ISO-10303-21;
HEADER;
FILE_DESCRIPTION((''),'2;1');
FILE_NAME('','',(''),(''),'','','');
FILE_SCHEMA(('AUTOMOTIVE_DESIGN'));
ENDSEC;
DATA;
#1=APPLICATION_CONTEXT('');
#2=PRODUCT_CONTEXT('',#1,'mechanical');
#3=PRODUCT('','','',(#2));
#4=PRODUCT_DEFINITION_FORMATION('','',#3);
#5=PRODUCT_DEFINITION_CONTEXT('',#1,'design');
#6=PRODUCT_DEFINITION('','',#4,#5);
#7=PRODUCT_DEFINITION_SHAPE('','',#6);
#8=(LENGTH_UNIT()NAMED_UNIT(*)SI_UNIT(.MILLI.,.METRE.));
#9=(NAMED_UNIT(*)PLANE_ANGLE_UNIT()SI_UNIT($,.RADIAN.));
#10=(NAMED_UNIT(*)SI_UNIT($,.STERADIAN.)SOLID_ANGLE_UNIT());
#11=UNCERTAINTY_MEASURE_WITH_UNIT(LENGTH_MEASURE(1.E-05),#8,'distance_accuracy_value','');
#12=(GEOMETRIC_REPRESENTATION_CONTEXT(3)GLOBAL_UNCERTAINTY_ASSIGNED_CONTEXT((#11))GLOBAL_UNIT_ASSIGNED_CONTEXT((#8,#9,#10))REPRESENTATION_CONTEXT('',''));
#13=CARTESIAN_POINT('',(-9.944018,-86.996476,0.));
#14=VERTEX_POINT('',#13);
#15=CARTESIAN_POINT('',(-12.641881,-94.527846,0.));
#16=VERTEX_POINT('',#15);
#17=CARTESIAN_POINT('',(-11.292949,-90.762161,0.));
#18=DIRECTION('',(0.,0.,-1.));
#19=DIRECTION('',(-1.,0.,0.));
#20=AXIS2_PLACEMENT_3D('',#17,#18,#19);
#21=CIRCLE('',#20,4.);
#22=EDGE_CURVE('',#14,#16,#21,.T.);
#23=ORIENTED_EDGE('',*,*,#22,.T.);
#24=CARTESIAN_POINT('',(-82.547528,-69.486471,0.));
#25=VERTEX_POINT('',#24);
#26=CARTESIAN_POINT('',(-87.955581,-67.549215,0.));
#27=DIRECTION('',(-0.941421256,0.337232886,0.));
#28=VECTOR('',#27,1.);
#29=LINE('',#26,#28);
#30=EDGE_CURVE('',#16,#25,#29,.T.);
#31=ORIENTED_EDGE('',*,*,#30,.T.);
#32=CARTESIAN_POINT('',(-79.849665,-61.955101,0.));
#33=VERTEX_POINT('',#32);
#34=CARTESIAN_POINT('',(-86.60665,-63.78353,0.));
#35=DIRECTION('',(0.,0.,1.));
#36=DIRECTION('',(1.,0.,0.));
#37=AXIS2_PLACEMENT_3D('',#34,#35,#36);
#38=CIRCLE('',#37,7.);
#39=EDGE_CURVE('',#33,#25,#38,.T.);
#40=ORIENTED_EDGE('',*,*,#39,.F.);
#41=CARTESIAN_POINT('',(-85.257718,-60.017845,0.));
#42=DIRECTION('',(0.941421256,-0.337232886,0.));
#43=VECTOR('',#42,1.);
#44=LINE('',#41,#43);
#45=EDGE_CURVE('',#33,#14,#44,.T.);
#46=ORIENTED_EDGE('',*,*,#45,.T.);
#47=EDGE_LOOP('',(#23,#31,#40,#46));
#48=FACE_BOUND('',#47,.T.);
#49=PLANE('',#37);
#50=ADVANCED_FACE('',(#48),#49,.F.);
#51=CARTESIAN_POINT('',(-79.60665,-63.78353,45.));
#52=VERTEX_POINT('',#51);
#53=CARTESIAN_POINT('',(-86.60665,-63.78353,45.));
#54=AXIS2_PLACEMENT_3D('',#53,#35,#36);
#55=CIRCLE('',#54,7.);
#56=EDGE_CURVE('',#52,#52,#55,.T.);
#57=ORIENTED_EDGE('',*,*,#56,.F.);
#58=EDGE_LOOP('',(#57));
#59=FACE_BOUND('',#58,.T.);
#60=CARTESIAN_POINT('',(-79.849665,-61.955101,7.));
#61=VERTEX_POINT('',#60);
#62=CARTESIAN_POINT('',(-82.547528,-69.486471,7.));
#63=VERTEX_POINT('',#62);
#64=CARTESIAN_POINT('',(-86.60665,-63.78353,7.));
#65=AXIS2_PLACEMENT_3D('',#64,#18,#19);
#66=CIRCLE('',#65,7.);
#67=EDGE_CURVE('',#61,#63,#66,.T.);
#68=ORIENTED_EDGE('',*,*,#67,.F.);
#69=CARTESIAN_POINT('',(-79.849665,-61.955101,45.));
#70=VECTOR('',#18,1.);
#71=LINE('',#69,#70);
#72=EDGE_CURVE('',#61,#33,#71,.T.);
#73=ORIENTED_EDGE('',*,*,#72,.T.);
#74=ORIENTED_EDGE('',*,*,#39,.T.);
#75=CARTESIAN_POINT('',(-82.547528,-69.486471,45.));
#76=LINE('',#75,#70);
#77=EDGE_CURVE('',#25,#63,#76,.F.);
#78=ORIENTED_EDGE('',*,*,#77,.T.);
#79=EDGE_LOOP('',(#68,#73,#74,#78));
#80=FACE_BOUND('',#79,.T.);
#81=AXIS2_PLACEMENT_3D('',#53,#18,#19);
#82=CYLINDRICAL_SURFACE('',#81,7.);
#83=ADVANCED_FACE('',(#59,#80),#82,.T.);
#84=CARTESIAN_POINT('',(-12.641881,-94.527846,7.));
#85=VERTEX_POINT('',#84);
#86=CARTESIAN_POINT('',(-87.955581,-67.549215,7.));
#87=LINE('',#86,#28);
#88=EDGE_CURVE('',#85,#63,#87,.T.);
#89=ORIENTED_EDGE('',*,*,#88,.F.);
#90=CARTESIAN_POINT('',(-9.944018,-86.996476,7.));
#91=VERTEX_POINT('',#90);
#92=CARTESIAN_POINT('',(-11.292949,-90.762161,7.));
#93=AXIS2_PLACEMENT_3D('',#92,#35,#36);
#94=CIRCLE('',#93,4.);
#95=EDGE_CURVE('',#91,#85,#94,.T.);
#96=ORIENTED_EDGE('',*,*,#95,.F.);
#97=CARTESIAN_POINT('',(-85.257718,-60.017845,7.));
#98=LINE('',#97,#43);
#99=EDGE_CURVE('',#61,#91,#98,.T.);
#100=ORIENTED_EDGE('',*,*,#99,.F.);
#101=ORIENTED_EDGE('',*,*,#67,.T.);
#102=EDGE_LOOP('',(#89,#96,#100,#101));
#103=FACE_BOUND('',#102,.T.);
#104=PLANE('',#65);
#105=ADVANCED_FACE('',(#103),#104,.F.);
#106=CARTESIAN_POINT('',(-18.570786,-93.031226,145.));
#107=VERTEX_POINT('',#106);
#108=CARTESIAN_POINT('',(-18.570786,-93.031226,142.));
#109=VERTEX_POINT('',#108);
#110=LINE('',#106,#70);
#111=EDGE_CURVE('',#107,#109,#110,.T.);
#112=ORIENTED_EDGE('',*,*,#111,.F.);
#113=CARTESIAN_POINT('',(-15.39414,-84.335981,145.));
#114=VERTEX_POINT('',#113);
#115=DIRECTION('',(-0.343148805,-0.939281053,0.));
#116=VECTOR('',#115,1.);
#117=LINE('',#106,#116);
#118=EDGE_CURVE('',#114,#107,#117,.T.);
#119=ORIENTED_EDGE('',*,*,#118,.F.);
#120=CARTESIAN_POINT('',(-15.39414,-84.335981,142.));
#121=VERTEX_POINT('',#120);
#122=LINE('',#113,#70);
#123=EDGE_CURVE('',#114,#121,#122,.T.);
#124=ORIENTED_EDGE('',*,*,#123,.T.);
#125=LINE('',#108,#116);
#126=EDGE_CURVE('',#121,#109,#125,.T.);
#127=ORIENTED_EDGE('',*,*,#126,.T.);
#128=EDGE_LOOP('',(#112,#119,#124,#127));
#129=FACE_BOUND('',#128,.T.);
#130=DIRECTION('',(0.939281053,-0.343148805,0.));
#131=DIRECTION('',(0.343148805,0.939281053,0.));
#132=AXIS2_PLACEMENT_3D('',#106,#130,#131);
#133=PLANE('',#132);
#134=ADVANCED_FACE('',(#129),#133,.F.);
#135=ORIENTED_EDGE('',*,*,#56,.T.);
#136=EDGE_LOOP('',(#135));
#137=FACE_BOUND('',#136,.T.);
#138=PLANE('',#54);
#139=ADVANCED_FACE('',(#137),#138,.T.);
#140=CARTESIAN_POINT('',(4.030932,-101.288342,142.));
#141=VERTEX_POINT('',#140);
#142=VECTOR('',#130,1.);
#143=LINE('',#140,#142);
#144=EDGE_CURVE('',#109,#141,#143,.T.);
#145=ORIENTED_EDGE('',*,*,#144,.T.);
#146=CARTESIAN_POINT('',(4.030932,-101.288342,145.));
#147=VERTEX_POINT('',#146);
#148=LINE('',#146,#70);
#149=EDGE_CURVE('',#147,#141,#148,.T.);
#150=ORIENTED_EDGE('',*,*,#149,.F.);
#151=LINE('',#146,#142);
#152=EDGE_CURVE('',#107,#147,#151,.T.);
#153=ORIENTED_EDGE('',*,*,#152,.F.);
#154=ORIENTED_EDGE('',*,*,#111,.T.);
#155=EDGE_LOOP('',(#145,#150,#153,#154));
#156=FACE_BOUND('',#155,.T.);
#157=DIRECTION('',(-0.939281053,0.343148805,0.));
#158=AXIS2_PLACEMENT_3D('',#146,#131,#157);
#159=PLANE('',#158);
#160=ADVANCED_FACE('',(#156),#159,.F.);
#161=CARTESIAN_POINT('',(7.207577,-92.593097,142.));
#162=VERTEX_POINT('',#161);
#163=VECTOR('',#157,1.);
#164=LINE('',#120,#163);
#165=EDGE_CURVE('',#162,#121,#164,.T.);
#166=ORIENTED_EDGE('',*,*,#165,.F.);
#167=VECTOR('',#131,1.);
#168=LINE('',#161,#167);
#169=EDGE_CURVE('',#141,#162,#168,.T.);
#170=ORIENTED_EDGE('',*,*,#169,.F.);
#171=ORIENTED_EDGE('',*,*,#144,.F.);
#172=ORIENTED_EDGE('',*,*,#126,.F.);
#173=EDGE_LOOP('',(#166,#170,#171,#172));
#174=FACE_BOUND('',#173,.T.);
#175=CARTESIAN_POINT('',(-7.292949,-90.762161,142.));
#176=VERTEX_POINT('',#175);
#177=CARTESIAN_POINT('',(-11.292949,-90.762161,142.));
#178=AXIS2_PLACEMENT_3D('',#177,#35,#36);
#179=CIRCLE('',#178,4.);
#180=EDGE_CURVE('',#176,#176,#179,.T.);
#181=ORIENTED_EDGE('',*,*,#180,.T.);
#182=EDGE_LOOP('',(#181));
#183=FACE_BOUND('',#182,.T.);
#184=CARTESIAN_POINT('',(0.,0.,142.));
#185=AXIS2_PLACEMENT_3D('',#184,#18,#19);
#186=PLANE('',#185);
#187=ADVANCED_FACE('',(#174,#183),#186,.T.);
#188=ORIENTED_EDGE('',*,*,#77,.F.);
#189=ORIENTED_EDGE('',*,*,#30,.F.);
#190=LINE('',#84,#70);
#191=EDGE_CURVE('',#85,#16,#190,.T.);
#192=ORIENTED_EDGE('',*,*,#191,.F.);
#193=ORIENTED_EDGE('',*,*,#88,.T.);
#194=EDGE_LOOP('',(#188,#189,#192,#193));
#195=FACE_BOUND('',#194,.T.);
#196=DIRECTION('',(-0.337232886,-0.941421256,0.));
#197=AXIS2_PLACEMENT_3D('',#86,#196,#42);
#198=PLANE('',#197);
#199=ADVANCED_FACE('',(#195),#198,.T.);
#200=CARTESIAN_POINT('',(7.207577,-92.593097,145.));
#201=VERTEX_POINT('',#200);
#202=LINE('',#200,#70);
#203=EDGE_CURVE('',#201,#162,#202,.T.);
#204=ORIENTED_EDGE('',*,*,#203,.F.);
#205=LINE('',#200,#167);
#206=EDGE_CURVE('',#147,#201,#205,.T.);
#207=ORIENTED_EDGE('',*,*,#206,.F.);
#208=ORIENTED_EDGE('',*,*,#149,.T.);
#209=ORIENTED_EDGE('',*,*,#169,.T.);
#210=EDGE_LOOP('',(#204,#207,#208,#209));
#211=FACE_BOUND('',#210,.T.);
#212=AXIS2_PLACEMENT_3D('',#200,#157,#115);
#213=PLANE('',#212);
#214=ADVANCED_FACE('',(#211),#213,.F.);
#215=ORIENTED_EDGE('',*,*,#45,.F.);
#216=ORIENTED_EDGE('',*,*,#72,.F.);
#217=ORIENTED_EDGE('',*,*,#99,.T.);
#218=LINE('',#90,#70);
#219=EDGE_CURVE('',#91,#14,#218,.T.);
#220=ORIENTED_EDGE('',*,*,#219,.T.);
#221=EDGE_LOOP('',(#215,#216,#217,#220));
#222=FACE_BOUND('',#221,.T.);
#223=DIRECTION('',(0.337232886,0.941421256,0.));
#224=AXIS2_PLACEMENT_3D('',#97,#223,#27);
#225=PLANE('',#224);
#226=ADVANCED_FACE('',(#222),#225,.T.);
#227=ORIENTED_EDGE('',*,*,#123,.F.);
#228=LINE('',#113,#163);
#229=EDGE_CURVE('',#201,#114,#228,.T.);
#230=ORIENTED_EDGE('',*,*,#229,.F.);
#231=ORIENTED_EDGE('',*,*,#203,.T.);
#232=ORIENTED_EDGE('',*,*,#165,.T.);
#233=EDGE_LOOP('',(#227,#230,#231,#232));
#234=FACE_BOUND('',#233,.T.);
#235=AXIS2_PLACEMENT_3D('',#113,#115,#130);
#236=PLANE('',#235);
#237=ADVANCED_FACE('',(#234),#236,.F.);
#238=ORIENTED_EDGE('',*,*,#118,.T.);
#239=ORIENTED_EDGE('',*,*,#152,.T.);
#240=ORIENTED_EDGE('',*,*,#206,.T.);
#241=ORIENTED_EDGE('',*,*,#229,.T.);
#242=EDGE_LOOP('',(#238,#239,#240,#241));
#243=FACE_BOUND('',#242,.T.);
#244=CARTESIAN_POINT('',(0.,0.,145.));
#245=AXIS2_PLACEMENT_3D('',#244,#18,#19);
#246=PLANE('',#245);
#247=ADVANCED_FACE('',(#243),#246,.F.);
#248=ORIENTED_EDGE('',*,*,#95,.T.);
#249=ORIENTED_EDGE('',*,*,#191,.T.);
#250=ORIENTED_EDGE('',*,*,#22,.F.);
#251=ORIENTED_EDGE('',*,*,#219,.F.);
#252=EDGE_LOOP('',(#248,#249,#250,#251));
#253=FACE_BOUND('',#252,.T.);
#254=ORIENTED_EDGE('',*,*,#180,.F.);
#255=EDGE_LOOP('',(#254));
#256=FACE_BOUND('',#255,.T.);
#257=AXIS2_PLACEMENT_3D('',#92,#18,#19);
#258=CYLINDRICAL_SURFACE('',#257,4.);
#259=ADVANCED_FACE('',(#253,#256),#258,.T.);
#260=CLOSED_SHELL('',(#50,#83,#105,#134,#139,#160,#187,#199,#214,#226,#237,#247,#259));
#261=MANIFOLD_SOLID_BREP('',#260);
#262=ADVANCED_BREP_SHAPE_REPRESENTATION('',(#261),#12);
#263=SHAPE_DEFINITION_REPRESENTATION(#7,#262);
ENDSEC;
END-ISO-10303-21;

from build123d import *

# Parameters (mm, degrees)
SKETCH_1_R      = 7
EXTRUDE_1_DEPTH = 45
EXTRUDE_2_DEPTH = 7
SKETCH_7_R      = 4
EXTRUDE_3_DEPTH = 135
EXTRUDE_4_DEPTH = 3


with BuildPart() as part:
    # 草图1 → 凸台-拉伸1 (new body)
    with BuildSketch(Plane.XY):
        with Locations(Location((-86.606649797, -63.783530386, 0), (0, 0, 180))):
            Circle(SKETCH_1_R)
    extrude(amount=EXTRUDE_1_DEPTH)

    # 草图3 → 凸台-拉伸2 (add)
    with BuildSketch(Plane(origin=(0, 0, 0), x_dir=(-1, 0, 0), z_dir=(0, 0, -1))):
        with BuildLine():
            Line((87.955581339, -67.549215409), (12.641880873, -94.52784625))
            ThreePointArc((12.641880873, -94.52784625), (7.527264308, -92.111092769), (9.944017789, -86.996476204))
            Line((9.944017789, -86.996476204), (85.257718255, -60.017845362))
            ThreePointArc((85.257718255, -60.017845362), (90.37233482, -62.434598843), (87.955581339, -67.549215409))
        make_face()
    extrude(amount=-EXTRUDE_2_DEPTH)

    # 草图7 → 凸台-拉伸3 (add)
    with BuildSketch(Plane.XY.offset(7)):
        with Locations(Location((-11.292949331, -90.762161227, 0), (0, 0, 250.291624105))):
            Circle(SKETCH_7_R)
    extrude(amount=EXTRUDE_3_DEPTH)

    # 草图8 → 凸台-拉伸4 (add)
    with BuildSketch(Plane.XY.offset(142)):
        Polygon((-15.394140478, -84.335981352), (7.207577452, -92.593097239), (4.030932181, -101.288341605), (-18.57078575, -93.031225719), align=None)
    extrude(amount=EXTRUDE_4_DEPTH)


solid = part.part
